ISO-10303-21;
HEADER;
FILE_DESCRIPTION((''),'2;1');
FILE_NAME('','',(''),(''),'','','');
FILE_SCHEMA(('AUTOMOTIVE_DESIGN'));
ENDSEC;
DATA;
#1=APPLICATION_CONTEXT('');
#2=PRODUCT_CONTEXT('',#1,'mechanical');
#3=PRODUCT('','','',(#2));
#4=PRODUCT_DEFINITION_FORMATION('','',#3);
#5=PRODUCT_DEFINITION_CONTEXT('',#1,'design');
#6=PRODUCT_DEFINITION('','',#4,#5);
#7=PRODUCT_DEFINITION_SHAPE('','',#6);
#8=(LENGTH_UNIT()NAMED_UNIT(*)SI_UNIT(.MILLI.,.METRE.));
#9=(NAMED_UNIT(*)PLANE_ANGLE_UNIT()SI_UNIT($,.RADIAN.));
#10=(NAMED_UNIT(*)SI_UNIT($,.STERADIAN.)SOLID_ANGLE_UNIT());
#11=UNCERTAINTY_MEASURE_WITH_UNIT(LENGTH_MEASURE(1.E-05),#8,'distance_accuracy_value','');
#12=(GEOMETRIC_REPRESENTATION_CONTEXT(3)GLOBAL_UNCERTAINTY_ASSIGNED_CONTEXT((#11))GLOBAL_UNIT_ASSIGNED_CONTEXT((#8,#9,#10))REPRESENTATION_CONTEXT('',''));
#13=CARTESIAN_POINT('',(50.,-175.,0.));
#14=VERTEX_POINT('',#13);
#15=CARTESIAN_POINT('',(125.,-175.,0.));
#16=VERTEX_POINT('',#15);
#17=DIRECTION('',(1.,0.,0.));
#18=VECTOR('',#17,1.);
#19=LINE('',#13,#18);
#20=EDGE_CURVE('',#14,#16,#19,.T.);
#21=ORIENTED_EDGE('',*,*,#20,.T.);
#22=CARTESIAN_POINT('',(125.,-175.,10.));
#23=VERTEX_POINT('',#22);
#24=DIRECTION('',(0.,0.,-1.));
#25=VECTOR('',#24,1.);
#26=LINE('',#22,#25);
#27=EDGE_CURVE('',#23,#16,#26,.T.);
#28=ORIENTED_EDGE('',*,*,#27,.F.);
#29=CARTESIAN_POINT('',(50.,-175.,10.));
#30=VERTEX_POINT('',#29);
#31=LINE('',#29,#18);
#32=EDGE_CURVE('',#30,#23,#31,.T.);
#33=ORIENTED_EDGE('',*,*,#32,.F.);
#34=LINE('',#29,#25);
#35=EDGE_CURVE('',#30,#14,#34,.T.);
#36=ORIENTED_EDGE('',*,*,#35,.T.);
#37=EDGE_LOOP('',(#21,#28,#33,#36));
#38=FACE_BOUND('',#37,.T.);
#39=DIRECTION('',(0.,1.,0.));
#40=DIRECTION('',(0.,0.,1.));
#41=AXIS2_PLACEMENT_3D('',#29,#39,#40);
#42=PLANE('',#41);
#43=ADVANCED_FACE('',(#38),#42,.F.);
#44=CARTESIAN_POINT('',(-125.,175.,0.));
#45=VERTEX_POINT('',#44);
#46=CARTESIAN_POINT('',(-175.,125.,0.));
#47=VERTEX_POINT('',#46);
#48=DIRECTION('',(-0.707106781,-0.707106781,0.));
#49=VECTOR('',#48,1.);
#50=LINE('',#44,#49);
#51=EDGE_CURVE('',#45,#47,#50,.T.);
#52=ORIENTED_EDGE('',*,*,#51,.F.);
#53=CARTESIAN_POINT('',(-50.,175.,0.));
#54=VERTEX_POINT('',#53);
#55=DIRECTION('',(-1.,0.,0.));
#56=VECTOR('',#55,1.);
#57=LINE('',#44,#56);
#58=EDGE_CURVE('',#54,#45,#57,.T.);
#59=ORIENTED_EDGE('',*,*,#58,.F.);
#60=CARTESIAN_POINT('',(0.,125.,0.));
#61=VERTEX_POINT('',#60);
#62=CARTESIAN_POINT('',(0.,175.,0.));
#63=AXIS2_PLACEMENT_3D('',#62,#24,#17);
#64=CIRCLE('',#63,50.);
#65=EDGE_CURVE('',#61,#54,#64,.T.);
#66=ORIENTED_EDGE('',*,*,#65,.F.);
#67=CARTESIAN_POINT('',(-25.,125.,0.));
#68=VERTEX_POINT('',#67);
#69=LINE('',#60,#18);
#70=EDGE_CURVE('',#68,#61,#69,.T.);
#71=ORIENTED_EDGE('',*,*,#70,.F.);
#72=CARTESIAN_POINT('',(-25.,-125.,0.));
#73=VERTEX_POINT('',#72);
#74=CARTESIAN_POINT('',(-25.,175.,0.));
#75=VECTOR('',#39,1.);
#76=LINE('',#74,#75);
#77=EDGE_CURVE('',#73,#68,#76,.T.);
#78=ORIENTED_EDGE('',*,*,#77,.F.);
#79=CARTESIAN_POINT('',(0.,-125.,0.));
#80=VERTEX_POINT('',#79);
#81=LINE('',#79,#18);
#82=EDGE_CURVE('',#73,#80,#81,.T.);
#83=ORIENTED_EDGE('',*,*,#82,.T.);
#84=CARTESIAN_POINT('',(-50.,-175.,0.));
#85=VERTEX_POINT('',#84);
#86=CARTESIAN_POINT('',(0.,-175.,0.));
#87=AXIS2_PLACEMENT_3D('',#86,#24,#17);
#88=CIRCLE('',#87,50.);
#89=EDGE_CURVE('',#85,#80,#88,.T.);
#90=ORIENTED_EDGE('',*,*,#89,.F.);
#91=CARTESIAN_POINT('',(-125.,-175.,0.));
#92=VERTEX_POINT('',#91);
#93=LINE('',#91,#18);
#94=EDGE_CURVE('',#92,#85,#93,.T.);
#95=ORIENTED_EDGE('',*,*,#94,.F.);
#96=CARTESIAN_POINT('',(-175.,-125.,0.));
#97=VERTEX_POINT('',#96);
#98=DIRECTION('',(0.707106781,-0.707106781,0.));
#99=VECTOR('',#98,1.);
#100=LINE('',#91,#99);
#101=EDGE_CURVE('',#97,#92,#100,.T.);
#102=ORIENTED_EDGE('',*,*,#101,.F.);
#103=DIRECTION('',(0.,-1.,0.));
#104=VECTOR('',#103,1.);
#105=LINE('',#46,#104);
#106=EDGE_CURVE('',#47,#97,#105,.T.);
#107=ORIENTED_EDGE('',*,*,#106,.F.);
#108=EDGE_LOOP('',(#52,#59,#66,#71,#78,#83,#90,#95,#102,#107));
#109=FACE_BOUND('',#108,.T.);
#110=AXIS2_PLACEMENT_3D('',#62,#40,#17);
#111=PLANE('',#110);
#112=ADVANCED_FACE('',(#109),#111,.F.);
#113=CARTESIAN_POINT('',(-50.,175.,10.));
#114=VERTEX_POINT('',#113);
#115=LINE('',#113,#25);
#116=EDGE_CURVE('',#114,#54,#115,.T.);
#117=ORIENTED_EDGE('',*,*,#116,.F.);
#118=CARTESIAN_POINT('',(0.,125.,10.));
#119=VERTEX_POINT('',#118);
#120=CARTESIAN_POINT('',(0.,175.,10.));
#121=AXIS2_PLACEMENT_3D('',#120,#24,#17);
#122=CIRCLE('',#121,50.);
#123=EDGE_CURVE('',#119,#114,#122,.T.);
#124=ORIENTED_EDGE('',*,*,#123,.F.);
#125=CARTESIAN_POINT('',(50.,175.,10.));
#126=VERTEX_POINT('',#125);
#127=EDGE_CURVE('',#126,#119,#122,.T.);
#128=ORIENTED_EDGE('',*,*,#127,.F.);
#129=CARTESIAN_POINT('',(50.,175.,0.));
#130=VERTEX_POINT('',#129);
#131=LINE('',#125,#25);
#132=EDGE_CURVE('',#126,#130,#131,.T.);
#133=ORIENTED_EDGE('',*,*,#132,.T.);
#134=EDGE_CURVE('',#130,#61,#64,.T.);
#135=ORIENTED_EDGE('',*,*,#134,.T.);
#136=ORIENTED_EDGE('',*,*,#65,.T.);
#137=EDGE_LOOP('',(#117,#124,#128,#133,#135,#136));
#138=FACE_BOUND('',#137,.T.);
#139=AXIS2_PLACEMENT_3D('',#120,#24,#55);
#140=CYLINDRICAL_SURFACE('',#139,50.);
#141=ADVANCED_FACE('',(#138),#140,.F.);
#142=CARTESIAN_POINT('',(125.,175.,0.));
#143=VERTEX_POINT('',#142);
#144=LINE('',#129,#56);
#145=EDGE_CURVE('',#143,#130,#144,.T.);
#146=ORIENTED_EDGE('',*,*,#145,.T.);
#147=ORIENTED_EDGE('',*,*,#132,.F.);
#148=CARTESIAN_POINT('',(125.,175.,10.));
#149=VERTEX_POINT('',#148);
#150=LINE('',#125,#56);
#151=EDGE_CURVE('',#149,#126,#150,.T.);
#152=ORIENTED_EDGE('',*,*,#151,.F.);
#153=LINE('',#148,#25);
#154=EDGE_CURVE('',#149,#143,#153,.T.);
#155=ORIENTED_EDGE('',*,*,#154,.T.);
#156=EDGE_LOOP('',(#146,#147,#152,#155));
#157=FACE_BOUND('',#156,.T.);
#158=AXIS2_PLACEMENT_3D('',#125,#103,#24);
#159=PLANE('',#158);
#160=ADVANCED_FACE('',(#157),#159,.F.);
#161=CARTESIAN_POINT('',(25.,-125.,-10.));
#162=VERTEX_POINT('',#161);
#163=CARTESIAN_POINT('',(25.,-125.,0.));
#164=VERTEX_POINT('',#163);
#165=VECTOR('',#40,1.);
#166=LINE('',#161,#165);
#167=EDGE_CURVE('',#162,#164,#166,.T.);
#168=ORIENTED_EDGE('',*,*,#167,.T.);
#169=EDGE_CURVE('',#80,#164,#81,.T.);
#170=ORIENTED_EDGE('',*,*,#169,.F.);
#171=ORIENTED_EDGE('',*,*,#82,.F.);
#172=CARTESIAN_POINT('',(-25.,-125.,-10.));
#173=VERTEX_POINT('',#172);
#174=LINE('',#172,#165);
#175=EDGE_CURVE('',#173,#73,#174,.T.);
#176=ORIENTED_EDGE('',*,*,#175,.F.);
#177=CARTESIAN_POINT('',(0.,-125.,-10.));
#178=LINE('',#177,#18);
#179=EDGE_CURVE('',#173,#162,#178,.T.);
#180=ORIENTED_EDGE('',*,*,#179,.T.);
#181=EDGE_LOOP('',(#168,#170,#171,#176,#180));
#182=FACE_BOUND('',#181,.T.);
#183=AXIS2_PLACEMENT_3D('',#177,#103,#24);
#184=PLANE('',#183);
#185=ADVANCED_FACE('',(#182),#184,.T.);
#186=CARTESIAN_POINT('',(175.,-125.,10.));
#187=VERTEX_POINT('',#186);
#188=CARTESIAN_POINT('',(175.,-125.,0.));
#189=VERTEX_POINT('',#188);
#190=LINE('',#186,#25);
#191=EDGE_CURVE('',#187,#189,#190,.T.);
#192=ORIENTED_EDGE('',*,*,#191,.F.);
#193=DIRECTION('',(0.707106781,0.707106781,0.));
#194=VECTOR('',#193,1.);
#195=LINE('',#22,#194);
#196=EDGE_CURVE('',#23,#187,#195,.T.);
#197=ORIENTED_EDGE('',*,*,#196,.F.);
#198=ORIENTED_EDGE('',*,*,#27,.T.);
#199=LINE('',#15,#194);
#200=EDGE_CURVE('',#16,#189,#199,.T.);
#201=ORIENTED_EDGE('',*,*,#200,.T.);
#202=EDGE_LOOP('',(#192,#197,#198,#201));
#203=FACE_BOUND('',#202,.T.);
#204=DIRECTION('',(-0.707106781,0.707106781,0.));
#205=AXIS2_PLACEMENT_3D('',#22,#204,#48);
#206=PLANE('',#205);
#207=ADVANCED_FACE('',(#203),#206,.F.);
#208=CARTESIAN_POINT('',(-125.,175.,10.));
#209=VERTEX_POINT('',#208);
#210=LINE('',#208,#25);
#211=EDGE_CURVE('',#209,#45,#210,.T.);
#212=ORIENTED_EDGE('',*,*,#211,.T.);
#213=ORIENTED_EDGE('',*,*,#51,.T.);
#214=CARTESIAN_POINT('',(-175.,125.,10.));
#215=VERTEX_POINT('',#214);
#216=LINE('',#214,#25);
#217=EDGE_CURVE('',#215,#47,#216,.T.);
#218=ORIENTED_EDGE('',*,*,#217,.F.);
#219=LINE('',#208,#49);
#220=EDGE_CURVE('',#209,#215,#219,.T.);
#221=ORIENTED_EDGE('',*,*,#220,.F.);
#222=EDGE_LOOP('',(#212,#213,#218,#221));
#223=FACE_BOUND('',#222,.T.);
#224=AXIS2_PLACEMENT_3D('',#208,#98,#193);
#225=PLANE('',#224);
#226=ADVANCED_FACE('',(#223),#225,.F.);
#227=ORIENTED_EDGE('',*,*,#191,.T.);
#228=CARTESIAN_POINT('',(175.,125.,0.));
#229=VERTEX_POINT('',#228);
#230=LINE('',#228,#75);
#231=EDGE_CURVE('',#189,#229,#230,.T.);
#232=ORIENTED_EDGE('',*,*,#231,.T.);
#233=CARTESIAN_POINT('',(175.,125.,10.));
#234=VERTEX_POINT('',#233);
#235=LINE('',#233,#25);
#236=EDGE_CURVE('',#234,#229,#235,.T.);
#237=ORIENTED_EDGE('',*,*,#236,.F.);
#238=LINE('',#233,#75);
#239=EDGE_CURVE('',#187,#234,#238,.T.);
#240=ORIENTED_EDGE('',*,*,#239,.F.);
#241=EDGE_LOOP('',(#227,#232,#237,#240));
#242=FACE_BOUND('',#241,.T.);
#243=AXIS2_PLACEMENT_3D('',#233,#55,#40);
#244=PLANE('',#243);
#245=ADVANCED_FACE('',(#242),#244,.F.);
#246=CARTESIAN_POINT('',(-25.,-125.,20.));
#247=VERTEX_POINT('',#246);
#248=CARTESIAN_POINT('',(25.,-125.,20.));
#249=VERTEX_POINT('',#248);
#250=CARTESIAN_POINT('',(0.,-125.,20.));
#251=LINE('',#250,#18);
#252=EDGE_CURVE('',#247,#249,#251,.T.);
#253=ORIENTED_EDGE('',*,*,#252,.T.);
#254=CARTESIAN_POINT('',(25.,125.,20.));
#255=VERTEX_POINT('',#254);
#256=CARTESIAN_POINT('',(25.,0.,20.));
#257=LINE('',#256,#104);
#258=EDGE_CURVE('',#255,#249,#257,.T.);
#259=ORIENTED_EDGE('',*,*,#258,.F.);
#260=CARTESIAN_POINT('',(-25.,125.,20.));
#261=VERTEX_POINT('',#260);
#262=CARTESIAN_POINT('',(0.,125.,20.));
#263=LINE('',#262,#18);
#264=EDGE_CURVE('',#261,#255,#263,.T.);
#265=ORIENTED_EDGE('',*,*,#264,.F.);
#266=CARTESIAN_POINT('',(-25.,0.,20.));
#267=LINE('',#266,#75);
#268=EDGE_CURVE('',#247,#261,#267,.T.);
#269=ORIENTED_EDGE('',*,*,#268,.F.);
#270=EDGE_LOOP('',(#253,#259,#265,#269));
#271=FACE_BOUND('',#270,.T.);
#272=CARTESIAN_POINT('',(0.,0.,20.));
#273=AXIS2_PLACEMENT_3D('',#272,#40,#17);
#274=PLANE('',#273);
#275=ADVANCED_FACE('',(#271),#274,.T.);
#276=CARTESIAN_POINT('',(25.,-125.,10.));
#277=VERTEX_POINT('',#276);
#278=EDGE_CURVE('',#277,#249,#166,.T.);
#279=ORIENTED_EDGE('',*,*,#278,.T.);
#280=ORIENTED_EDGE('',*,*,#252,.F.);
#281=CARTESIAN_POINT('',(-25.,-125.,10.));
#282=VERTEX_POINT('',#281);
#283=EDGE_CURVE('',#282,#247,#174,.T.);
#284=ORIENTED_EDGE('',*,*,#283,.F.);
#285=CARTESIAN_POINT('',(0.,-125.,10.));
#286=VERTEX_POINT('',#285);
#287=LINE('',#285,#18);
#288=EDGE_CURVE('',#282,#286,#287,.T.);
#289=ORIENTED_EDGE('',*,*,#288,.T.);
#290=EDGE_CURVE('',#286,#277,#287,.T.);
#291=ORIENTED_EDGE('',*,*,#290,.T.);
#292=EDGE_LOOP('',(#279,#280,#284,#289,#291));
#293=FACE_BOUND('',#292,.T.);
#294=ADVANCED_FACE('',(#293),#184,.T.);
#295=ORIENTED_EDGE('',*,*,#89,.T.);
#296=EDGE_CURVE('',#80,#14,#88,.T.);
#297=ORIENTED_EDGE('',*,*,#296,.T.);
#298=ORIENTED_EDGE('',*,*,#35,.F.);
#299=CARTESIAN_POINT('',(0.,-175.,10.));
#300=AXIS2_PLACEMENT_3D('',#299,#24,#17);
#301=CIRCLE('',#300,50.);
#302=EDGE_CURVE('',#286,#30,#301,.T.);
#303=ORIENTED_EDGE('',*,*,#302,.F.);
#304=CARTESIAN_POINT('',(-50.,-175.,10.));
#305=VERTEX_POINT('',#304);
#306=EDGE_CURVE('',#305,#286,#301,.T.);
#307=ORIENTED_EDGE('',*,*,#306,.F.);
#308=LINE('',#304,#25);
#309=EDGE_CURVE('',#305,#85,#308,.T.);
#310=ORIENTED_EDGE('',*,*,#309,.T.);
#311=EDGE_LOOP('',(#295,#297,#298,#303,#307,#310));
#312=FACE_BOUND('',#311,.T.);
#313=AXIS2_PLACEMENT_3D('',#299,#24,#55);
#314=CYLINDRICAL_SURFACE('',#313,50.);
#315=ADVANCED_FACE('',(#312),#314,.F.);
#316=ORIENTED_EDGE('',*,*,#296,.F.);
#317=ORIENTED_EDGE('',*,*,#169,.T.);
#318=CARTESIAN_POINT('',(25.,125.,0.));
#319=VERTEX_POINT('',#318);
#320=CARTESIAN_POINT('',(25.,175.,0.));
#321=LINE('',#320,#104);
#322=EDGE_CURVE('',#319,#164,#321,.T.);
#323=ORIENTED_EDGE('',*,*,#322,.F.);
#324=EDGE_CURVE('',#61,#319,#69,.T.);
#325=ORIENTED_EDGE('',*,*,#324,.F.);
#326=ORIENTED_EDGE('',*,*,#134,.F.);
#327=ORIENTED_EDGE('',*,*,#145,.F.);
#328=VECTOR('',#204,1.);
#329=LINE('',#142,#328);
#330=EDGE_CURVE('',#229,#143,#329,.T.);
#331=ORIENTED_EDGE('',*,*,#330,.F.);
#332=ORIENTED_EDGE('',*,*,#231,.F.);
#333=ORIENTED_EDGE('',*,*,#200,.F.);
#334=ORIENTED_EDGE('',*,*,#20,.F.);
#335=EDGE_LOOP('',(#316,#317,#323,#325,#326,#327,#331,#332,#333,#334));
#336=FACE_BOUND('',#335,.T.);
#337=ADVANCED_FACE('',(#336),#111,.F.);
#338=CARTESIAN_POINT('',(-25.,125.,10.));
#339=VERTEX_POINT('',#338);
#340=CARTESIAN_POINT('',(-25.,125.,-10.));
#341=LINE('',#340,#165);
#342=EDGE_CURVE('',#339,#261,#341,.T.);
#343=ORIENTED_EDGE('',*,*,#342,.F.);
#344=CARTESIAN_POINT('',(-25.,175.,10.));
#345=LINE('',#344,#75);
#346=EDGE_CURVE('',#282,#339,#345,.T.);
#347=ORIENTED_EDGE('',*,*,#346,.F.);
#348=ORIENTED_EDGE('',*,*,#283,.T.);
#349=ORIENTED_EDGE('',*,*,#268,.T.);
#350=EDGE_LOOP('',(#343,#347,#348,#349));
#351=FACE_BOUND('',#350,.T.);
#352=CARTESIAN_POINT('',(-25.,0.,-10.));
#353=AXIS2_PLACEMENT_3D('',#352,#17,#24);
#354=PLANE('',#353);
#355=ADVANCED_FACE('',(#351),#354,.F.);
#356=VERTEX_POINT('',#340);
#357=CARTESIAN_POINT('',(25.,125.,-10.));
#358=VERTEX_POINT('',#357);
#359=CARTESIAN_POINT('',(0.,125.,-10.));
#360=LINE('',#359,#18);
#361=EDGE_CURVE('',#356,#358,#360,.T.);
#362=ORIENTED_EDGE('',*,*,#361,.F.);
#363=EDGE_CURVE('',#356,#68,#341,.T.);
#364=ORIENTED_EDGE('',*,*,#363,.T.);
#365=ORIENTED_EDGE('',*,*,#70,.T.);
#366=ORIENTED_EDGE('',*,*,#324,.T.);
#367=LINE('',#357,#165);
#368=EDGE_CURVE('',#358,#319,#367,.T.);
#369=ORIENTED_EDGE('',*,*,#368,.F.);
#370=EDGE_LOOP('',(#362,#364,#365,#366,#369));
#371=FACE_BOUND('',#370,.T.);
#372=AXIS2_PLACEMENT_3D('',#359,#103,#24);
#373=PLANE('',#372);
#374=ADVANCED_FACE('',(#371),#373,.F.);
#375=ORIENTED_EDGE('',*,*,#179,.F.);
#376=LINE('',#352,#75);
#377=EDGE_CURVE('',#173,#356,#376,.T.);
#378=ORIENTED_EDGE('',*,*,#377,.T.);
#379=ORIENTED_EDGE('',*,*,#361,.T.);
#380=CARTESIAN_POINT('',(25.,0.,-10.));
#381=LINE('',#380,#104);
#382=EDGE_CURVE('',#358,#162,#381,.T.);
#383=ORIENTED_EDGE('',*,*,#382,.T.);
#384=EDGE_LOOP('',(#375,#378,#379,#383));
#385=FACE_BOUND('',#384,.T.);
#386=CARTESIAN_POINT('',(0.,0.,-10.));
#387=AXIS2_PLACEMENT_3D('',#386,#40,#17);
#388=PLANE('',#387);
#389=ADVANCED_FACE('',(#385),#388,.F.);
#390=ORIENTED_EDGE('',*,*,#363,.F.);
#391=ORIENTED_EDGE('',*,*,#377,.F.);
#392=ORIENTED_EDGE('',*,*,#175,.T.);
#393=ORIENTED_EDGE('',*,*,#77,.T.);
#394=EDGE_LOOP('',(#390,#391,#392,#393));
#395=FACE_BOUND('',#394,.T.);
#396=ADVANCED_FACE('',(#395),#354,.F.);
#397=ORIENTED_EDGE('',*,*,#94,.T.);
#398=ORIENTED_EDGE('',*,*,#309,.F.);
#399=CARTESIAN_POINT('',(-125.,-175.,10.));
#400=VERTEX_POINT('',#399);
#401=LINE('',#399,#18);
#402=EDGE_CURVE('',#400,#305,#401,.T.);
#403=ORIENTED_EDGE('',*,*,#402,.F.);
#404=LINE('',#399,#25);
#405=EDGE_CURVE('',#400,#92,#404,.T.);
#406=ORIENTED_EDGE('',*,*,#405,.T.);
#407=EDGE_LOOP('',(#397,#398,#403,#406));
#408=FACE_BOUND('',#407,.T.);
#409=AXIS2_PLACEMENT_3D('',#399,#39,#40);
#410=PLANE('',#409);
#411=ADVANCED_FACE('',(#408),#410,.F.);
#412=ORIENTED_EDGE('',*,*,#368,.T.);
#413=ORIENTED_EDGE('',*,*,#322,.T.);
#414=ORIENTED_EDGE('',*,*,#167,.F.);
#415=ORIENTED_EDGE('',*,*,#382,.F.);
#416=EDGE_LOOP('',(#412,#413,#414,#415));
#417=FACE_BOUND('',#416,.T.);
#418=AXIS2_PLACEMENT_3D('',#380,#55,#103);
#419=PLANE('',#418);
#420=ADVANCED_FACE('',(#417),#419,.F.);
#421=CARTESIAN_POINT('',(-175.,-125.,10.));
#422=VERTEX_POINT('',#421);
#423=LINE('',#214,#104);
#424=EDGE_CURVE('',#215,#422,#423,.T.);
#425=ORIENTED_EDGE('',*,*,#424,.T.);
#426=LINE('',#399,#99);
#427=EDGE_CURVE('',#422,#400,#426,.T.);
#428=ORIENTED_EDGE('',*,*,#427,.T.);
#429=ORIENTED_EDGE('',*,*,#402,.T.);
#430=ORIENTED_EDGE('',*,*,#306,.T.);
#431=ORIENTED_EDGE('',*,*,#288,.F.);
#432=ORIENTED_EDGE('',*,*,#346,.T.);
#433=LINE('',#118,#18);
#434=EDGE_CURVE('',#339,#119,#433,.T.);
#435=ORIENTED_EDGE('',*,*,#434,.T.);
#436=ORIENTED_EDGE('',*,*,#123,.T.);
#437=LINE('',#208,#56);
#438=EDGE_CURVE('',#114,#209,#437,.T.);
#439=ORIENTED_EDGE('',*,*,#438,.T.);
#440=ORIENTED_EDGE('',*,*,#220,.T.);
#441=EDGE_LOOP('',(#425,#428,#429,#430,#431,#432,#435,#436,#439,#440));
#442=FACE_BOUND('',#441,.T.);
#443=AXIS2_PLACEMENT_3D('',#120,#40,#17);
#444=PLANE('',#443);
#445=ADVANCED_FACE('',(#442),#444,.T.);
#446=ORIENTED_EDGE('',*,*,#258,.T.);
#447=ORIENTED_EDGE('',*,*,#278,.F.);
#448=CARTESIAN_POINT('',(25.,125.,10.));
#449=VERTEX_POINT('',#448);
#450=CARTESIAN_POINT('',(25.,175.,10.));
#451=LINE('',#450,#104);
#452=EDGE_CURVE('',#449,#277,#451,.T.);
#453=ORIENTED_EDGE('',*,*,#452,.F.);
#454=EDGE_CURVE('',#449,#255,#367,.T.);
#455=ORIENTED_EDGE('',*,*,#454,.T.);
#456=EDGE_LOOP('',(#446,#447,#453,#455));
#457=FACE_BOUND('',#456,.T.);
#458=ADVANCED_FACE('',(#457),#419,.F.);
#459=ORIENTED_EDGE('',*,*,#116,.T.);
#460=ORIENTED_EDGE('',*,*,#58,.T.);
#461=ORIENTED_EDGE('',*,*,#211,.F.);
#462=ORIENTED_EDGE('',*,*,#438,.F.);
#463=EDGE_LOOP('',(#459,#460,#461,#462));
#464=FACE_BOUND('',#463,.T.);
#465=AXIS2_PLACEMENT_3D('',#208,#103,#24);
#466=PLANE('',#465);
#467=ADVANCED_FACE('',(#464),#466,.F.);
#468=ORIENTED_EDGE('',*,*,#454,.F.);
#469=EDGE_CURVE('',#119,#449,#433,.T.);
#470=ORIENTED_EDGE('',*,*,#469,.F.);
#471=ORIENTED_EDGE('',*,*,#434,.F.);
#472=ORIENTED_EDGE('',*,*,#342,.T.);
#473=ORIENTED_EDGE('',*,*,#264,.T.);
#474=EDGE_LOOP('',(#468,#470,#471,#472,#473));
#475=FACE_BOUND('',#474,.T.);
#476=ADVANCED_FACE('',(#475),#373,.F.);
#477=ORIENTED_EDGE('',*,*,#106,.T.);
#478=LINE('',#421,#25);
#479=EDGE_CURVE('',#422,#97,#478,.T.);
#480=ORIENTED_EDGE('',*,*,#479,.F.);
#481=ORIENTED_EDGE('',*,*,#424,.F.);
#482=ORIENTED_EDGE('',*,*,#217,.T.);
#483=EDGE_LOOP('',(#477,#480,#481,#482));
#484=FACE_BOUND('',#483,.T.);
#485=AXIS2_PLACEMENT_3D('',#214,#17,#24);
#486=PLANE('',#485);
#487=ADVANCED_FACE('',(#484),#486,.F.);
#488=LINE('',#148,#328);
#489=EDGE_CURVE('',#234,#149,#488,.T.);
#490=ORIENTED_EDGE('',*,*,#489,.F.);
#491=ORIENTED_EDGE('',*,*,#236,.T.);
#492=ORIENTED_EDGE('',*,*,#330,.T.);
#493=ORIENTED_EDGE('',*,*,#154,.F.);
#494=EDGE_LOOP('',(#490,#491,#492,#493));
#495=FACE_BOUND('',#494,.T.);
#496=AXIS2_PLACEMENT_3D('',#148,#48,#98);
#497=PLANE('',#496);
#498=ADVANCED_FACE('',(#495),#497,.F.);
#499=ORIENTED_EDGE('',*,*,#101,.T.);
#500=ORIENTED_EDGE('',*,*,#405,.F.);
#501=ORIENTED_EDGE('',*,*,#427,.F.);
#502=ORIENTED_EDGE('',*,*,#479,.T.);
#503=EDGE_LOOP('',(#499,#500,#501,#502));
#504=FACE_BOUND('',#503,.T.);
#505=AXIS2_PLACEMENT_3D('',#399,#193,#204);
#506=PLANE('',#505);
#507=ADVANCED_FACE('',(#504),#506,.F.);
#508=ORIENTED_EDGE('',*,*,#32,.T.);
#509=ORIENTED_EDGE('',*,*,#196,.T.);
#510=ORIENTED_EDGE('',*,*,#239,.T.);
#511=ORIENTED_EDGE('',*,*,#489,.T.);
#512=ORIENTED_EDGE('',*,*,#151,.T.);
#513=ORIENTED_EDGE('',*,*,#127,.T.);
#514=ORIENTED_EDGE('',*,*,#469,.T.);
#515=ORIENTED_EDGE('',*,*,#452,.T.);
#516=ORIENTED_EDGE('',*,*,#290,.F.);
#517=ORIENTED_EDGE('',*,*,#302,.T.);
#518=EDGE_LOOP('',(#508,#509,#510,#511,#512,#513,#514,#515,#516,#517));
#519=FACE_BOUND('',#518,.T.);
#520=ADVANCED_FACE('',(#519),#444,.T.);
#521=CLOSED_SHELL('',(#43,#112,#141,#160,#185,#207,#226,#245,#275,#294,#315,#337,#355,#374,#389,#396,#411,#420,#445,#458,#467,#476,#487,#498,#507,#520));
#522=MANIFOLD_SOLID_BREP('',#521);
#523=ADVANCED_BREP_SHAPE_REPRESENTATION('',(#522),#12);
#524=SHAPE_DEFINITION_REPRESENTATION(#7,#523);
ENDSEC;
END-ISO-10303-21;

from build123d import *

# Parameters (mm, degrees)
BOSS_EXTRUDE1_DEPTH      = 10
BOSS_EXTRUDE2_DEPTH      = 10
BOSS_EXTRUDE2_DEPTH_BACK = 20


with BuildPart() as part:
    # Sketch1 → Boss-Extrude1 (new body)
    with BuildSketch(Plane.XY):
        with BuildLine():
            Line((-125, 175), (-50, 175))
            ThreePointArc((-50, 175), (0, 125), (50, 175))
            Line((50, 175), (125, 175))
            Line((125, 175), (175, 125))
            Line((175, 125), (175, -125))
            Line((175, -125), (125, -175))
            Line((125, -175), (50, -175))
            ThreePointArc((50, -175), (0, -125), (-50, -175))
            Line((-50, -175), (-125, -175))
            Line((-125, -175), (-175, -125))
            Line((-175, -125), (-175, 125))
            Line((-175, 125), (-125, 175))
        make_face()
    extrude(amount=BOSS_EXTRUDE1_DEPTH)

    # Sketch2 → Boss-Extrude2 (add, two sides: drawn at the far end of the back side and taken through both)
    with BuildSketch(Plane.XY.offset(10).offset(-BOSS_EXTRUDE2_DEPTH_BACK)):
        Polygon((25, 125), (-2.148886373, 125), (-25, 125), (-25, 0), (-25, -125), (25, -125), align=None)
    extrude(amount=BOSS_EXTRUDE2_DEPTH + BOSS_EXTRUDE2_DEPTH_BACK)


solid = part.part
